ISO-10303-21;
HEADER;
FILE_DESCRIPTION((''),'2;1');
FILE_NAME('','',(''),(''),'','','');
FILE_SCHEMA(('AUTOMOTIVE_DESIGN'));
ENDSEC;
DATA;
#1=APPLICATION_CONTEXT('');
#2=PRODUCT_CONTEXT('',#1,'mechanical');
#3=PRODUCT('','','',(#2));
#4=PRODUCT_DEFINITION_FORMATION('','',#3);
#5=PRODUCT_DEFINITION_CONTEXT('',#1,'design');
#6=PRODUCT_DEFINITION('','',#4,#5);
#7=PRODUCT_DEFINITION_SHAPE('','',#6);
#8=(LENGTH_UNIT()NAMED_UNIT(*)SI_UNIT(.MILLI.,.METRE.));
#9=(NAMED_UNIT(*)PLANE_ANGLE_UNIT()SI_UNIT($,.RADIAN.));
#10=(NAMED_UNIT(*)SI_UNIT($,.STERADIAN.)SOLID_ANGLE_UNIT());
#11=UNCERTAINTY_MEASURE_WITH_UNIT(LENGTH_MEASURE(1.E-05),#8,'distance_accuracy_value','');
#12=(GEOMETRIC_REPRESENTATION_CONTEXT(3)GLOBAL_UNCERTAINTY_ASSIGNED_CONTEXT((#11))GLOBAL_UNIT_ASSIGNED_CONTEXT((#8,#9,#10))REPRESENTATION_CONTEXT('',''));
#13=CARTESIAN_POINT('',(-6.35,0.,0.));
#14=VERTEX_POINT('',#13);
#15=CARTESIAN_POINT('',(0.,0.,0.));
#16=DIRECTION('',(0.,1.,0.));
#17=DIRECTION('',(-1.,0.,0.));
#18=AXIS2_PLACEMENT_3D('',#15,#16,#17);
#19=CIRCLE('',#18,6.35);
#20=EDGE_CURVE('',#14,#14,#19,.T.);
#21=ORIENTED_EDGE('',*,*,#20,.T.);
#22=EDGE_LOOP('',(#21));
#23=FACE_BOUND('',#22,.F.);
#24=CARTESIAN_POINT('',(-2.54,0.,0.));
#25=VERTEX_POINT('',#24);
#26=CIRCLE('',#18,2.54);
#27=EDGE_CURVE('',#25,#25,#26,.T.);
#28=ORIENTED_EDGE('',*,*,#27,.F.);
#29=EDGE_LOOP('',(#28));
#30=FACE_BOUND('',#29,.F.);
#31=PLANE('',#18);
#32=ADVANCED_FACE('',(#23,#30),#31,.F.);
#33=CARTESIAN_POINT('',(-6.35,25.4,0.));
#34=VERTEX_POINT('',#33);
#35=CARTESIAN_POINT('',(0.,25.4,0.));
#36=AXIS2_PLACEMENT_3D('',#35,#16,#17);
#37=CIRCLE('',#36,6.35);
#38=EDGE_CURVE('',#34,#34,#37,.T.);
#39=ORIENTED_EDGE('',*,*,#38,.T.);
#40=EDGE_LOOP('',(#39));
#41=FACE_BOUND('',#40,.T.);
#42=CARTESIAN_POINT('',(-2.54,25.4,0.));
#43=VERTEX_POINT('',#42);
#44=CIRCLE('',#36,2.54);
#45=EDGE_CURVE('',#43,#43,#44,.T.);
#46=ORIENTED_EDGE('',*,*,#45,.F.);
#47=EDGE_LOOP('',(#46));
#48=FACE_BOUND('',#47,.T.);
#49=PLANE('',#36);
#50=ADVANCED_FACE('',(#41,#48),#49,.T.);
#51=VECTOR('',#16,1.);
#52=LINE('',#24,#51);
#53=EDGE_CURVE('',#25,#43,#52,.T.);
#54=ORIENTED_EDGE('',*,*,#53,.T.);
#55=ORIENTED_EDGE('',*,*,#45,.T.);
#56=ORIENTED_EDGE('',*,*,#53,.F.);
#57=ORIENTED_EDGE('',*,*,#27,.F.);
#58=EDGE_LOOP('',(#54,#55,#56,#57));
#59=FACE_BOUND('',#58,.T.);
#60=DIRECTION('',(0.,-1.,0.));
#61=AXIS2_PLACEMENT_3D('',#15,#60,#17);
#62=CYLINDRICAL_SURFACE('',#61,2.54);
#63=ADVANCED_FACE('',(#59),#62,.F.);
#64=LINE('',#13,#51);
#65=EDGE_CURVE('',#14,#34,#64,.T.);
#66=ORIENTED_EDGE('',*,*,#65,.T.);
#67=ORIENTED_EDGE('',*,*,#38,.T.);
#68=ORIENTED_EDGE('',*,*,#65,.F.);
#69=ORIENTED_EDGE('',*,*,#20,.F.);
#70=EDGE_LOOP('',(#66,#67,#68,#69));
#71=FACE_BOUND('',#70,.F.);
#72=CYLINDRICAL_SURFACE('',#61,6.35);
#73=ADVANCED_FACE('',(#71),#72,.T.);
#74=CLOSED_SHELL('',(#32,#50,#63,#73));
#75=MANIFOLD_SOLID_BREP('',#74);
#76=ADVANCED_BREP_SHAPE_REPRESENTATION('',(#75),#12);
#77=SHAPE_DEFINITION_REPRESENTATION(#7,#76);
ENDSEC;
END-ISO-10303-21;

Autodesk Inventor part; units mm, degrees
ref_plane "YZ Plane" through (0, 0, 0) normal (1, 0, 0) x (0, 1, 0)
ref_plane "XZ Plane" through (0, 0, 0) normal (0, 1, 0) x (-1, 0, 0)
ref_plane "XY Plane" through (0, 0, 0) normal (0, 0, 1) x (1, 0, 0)
sketch "Sketch1" plane through (0, 0, 0) normal (0, 1, 0) x (-1, 0, 0)
  circle A0 centre (0, 0) radius 6.35
  circle A1 centre (0, 0) radius 2.54
  dimension "d0" = 12.7
  dimension "d1" = 5.08
extrude "Extrusion1" add sketch "Sketch1" along normal blind 25.4
properties part number "OUTK_025_VerySimpleStandoff" material "Aluminum 6061"
